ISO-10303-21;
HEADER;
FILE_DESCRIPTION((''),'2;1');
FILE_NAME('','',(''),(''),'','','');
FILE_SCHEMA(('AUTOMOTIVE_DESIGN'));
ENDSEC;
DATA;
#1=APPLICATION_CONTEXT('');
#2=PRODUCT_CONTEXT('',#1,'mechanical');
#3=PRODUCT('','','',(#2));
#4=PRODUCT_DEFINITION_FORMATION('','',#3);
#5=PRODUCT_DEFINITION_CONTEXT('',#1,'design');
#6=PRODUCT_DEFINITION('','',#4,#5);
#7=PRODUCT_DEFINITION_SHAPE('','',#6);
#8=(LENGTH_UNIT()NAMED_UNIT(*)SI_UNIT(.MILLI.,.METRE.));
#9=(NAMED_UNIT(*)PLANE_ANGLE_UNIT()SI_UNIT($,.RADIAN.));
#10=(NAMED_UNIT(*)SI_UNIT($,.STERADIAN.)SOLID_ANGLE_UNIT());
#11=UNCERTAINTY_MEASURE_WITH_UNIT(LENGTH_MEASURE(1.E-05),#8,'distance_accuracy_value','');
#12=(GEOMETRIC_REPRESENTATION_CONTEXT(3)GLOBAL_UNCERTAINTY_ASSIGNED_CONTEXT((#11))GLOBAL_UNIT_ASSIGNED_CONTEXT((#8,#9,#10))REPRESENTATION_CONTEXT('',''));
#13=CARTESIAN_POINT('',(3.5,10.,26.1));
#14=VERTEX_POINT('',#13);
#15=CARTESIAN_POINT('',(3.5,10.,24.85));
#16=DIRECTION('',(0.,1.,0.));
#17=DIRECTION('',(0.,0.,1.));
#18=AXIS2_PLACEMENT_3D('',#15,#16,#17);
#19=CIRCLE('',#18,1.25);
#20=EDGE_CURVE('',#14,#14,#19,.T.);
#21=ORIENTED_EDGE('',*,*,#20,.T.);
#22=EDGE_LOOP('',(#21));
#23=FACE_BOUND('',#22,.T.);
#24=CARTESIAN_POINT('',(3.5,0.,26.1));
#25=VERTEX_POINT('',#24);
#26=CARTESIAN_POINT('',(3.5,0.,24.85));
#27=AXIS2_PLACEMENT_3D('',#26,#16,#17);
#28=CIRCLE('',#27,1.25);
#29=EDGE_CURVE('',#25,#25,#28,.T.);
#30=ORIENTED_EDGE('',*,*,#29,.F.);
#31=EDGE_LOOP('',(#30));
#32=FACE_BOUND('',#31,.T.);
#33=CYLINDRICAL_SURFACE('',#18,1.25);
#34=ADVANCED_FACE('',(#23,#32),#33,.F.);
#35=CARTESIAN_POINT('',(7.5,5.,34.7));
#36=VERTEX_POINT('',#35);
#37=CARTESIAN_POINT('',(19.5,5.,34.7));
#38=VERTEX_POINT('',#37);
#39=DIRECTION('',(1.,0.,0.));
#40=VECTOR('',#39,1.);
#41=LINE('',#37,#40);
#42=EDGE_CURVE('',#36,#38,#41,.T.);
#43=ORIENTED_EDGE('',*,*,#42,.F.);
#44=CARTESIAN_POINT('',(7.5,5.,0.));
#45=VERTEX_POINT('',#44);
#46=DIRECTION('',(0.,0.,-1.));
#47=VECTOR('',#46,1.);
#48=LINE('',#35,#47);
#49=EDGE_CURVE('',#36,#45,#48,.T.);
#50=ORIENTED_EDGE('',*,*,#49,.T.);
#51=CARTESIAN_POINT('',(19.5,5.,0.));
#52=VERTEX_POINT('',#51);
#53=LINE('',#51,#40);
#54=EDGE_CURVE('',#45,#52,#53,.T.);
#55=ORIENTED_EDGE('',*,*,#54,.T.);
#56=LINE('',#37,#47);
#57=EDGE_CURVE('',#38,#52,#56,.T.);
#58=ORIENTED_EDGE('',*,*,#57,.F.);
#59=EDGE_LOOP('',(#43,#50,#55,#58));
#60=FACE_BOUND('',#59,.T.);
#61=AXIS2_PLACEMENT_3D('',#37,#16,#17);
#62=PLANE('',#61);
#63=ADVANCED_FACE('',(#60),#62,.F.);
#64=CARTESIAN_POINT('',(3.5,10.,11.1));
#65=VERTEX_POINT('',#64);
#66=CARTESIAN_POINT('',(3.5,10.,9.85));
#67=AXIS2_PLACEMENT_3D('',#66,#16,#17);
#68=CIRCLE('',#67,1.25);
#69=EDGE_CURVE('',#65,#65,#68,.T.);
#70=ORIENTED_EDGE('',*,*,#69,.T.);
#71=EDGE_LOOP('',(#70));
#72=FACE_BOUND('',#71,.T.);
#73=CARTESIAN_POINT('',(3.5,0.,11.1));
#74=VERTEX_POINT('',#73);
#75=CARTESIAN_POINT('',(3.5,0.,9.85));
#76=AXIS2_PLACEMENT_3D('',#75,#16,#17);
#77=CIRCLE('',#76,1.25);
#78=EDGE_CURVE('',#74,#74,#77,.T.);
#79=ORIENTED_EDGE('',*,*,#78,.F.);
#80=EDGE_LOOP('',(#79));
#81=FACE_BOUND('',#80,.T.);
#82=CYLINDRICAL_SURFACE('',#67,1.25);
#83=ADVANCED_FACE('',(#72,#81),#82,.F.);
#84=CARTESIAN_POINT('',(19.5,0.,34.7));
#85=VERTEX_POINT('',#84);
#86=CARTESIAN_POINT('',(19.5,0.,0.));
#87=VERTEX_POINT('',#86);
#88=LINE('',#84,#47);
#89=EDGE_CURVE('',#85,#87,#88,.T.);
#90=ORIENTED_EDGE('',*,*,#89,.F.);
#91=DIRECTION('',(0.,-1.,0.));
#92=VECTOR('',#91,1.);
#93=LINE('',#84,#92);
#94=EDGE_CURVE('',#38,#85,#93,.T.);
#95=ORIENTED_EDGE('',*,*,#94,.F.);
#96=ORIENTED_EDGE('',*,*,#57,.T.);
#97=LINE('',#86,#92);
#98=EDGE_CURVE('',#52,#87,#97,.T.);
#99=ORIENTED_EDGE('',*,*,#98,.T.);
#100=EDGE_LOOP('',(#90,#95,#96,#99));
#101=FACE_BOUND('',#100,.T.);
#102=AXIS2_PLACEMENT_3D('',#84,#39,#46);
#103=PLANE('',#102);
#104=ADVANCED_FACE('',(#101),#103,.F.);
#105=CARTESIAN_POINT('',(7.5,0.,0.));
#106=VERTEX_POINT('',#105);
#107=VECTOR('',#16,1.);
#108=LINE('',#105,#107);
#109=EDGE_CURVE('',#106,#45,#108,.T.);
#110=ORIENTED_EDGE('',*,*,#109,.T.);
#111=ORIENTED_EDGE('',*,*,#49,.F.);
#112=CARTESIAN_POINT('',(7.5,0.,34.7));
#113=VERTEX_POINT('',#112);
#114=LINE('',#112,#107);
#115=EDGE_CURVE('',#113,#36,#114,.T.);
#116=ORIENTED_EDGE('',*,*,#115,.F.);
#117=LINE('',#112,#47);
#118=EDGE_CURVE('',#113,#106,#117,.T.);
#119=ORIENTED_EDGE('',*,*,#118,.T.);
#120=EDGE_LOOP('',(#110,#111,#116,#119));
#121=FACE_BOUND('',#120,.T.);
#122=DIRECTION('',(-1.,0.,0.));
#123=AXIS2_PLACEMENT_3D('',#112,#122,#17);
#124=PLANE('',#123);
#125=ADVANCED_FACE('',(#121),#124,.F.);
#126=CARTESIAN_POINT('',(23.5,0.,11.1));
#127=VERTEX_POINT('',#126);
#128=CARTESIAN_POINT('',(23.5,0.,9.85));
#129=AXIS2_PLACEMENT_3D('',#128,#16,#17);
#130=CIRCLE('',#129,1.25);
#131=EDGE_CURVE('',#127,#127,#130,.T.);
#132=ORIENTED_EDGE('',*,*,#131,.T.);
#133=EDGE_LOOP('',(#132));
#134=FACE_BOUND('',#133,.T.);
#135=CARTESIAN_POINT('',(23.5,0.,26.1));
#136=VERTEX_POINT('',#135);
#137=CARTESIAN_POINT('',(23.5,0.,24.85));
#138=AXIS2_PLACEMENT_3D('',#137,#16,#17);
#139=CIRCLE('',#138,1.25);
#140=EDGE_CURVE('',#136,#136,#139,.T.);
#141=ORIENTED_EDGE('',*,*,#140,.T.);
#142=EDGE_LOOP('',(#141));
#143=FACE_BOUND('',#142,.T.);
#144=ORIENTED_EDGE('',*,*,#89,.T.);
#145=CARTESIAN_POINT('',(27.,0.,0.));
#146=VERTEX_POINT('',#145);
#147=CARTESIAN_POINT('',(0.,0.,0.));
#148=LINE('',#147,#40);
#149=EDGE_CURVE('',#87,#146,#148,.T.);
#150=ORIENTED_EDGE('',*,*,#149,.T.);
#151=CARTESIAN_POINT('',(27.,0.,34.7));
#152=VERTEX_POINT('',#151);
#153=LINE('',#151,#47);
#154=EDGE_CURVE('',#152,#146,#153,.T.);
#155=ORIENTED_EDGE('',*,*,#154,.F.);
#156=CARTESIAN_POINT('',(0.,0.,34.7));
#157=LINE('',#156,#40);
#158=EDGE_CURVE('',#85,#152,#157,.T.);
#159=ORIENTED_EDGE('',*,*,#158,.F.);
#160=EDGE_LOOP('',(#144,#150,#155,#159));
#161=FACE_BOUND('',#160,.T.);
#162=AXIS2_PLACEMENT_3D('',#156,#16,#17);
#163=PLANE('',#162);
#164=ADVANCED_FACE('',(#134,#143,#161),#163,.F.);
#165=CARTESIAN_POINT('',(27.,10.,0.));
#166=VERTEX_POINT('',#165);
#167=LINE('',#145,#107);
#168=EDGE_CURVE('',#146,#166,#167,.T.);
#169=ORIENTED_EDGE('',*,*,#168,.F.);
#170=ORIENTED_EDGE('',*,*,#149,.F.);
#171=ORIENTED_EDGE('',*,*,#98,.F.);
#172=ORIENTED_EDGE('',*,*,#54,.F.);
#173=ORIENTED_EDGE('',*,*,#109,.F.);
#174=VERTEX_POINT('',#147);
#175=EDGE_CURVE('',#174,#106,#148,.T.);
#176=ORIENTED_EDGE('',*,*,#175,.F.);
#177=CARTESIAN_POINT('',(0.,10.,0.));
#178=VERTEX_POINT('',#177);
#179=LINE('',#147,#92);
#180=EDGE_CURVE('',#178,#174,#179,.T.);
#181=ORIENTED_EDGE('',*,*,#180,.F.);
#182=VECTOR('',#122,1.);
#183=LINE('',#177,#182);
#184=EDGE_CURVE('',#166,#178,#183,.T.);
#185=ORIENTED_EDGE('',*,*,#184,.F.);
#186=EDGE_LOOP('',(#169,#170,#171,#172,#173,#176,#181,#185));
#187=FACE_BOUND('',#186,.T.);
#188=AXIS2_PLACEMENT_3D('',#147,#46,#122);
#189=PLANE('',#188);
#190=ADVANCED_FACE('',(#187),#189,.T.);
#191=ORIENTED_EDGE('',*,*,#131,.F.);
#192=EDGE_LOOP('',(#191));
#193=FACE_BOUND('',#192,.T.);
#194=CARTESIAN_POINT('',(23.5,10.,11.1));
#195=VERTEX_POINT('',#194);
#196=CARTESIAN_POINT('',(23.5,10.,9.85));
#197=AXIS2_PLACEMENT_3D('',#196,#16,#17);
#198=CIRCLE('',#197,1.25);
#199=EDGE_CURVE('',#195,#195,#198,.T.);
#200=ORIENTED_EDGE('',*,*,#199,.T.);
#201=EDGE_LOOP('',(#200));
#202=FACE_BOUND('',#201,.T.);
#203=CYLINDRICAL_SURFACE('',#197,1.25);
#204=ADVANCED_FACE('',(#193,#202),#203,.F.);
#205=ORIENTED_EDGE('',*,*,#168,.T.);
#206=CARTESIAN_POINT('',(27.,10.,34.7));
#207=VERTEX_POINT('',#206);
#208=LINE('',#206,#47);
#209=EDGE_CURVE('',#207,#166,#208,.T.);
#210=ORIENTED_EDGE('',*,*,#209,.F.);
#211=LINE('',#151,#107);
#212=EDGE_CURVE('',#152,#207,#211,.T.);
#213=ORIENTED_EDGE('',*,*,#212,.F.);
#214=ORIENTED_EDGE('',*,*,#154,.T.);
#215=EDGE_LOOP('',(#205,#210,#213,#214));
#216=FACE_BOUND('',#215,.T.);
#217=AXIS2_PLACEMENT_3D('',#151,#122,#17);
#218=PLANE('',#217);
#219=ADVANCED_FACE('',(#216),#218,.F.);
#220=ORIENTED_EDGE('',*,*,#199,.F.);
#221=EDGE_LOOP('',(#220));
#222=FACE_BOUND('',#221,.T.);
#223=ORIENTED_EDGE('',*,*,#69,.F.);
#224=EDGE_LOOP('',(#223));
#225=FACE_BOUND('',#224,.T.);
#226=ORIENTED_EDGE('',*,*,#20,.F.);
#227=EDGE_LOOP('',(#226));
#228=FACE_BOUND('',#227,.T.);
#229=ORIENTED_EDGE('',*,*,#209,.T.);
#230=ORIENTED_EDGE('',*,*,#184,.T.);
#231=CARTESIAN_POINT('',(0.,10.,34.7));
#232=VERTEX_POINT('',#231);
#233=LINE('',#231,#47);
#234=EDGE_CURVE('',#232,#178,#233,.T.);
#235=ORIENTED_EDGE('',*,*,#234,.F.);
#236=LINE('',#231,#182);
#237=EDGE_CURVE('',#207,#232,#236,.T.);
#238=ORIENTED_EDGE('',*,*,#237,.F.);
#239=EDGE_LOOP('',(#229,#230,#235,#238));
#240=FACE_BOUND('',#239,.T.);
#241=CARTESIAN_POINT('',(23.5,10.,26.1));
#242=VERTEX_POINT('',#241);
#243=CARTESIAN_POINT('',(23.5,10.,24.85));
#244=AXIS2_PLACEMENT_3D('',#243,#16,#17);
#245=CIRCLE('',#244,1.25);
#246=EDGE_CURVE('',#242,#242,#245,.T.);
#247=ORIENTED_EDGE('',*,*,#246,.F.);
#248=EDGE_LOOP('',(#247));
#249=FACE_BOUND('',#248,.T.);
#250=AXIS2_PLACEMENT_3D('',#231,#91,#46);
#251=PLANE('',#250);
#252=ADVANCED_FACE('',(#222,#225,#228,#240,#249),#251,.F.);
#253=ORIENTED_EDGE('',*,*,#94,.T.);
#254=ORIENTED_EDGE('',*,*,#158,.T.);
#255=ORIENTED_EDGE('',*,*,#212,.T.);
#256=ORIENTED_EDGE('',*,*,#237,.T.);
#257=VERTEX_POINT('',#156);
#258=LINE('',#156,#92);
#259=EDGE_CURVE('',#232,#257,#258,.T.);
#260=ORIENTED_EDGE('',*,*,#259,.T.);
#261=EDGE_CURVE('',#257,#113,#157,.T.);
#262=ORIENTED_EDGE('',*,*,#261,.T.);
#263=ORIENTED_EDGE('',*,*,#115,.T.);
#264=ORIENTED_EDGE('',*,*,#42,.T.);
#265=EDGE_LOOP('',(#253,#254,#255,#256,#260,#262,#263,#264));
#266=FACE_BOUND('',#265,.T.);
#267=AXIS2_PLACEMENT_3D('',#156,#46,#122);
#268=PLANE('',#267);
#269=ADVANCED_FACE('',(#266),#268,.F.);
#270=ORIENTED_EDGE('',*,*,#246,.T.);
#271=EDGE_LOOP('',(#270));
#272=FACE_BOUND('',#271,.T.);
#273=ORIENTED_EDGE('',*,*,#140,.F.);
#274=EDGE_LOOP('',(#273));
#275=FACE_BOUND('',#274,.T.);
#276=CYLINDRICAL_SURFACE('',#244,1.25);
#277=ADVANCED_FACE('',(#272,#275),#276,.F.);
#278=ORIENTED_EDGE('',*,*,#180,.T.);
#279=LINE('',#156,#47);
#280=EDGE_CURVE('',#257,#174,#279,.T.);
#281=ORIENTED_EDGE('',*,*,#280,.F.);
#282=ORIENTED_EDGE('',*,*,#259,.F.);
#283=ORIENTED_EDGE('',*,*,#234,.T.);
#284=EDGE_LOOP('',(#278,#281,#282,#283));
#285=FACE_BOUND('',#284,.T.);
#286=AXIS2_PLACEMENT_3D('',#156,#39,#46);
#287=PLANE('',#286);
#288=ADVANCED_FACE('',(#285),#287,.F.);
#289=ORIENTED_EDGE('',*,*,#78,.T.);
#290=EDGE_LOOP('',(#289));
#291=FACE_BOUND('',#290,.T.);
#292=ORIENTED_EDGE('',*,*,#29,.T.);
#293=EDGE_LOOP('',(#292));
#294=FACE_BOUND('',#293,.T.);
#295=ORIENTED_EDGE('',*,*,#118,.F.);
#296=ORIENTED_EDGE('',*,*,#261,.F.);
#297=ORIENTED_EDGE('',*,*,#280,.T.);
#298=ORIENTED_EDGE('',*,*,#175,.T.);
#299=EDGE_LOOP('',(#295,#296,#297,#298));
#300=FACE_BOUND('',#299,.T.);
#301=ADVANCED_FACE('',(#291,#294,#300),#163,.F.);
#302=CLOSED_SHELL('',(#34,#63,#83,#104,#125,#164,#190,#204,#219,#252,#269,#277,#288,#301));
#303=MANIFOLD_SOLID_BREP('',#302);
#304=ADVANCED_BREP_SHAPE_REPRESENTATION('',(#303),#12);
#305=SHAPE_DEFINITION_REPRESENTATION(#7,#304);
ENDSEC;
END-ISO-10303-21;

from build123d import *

# Parameters (mm, degrees)
SKETCH_1_W          = 27
SKETCH_1_H          = 10
EXTRUDE_1_DEPTH     = 34.7
SKETCH_2_W          = 12
SKETCH_2_H          = 5
CUT_EXTRUDE_1_DEPTH = 35.7
HOLE_WIZARD_M3_1_D  = 2.5


with BuildPart() as part:
    # 草图1 → 凸台-拉伸1 (new body)
    with BuildSketch(Plane.XY):
        with Locations((13.5, 5)):
            Rectangle(SKETCH_1_W, SKETCH_1_H)
    extrude(amount=EXTRUDE_1_DEPTH)

    # 草图2 → 切除-拉伸1 (cut, through all)
    with BuildSketch(Plane(origin=(0, 0, 0), x_dir=(-1, 0, 0), z_dir=(0, 0, -1))):
        with Locations((-13.5, 2.5)):
            Rectangle(SKETCH_2_W, SKETCH_2_H)
    extrude(amount=-CUT_EXTRUDE_1_DEPTH, mode=Mode.SUBTRACT)

    # M3 螺纹孔1 (through all)
    with Locations(Plane(origin=(0, 10, 0), x_dir=(1, 0, 0), z_dir=(0, 1, 0))):
        with Locations((23.5, -24.85), (23.5, -9.85), (3.5, -24.85), (3.5, -9.85)):
            Hole(HOLE_WIZARD_M3_1_D / 2)


solid = part.part
